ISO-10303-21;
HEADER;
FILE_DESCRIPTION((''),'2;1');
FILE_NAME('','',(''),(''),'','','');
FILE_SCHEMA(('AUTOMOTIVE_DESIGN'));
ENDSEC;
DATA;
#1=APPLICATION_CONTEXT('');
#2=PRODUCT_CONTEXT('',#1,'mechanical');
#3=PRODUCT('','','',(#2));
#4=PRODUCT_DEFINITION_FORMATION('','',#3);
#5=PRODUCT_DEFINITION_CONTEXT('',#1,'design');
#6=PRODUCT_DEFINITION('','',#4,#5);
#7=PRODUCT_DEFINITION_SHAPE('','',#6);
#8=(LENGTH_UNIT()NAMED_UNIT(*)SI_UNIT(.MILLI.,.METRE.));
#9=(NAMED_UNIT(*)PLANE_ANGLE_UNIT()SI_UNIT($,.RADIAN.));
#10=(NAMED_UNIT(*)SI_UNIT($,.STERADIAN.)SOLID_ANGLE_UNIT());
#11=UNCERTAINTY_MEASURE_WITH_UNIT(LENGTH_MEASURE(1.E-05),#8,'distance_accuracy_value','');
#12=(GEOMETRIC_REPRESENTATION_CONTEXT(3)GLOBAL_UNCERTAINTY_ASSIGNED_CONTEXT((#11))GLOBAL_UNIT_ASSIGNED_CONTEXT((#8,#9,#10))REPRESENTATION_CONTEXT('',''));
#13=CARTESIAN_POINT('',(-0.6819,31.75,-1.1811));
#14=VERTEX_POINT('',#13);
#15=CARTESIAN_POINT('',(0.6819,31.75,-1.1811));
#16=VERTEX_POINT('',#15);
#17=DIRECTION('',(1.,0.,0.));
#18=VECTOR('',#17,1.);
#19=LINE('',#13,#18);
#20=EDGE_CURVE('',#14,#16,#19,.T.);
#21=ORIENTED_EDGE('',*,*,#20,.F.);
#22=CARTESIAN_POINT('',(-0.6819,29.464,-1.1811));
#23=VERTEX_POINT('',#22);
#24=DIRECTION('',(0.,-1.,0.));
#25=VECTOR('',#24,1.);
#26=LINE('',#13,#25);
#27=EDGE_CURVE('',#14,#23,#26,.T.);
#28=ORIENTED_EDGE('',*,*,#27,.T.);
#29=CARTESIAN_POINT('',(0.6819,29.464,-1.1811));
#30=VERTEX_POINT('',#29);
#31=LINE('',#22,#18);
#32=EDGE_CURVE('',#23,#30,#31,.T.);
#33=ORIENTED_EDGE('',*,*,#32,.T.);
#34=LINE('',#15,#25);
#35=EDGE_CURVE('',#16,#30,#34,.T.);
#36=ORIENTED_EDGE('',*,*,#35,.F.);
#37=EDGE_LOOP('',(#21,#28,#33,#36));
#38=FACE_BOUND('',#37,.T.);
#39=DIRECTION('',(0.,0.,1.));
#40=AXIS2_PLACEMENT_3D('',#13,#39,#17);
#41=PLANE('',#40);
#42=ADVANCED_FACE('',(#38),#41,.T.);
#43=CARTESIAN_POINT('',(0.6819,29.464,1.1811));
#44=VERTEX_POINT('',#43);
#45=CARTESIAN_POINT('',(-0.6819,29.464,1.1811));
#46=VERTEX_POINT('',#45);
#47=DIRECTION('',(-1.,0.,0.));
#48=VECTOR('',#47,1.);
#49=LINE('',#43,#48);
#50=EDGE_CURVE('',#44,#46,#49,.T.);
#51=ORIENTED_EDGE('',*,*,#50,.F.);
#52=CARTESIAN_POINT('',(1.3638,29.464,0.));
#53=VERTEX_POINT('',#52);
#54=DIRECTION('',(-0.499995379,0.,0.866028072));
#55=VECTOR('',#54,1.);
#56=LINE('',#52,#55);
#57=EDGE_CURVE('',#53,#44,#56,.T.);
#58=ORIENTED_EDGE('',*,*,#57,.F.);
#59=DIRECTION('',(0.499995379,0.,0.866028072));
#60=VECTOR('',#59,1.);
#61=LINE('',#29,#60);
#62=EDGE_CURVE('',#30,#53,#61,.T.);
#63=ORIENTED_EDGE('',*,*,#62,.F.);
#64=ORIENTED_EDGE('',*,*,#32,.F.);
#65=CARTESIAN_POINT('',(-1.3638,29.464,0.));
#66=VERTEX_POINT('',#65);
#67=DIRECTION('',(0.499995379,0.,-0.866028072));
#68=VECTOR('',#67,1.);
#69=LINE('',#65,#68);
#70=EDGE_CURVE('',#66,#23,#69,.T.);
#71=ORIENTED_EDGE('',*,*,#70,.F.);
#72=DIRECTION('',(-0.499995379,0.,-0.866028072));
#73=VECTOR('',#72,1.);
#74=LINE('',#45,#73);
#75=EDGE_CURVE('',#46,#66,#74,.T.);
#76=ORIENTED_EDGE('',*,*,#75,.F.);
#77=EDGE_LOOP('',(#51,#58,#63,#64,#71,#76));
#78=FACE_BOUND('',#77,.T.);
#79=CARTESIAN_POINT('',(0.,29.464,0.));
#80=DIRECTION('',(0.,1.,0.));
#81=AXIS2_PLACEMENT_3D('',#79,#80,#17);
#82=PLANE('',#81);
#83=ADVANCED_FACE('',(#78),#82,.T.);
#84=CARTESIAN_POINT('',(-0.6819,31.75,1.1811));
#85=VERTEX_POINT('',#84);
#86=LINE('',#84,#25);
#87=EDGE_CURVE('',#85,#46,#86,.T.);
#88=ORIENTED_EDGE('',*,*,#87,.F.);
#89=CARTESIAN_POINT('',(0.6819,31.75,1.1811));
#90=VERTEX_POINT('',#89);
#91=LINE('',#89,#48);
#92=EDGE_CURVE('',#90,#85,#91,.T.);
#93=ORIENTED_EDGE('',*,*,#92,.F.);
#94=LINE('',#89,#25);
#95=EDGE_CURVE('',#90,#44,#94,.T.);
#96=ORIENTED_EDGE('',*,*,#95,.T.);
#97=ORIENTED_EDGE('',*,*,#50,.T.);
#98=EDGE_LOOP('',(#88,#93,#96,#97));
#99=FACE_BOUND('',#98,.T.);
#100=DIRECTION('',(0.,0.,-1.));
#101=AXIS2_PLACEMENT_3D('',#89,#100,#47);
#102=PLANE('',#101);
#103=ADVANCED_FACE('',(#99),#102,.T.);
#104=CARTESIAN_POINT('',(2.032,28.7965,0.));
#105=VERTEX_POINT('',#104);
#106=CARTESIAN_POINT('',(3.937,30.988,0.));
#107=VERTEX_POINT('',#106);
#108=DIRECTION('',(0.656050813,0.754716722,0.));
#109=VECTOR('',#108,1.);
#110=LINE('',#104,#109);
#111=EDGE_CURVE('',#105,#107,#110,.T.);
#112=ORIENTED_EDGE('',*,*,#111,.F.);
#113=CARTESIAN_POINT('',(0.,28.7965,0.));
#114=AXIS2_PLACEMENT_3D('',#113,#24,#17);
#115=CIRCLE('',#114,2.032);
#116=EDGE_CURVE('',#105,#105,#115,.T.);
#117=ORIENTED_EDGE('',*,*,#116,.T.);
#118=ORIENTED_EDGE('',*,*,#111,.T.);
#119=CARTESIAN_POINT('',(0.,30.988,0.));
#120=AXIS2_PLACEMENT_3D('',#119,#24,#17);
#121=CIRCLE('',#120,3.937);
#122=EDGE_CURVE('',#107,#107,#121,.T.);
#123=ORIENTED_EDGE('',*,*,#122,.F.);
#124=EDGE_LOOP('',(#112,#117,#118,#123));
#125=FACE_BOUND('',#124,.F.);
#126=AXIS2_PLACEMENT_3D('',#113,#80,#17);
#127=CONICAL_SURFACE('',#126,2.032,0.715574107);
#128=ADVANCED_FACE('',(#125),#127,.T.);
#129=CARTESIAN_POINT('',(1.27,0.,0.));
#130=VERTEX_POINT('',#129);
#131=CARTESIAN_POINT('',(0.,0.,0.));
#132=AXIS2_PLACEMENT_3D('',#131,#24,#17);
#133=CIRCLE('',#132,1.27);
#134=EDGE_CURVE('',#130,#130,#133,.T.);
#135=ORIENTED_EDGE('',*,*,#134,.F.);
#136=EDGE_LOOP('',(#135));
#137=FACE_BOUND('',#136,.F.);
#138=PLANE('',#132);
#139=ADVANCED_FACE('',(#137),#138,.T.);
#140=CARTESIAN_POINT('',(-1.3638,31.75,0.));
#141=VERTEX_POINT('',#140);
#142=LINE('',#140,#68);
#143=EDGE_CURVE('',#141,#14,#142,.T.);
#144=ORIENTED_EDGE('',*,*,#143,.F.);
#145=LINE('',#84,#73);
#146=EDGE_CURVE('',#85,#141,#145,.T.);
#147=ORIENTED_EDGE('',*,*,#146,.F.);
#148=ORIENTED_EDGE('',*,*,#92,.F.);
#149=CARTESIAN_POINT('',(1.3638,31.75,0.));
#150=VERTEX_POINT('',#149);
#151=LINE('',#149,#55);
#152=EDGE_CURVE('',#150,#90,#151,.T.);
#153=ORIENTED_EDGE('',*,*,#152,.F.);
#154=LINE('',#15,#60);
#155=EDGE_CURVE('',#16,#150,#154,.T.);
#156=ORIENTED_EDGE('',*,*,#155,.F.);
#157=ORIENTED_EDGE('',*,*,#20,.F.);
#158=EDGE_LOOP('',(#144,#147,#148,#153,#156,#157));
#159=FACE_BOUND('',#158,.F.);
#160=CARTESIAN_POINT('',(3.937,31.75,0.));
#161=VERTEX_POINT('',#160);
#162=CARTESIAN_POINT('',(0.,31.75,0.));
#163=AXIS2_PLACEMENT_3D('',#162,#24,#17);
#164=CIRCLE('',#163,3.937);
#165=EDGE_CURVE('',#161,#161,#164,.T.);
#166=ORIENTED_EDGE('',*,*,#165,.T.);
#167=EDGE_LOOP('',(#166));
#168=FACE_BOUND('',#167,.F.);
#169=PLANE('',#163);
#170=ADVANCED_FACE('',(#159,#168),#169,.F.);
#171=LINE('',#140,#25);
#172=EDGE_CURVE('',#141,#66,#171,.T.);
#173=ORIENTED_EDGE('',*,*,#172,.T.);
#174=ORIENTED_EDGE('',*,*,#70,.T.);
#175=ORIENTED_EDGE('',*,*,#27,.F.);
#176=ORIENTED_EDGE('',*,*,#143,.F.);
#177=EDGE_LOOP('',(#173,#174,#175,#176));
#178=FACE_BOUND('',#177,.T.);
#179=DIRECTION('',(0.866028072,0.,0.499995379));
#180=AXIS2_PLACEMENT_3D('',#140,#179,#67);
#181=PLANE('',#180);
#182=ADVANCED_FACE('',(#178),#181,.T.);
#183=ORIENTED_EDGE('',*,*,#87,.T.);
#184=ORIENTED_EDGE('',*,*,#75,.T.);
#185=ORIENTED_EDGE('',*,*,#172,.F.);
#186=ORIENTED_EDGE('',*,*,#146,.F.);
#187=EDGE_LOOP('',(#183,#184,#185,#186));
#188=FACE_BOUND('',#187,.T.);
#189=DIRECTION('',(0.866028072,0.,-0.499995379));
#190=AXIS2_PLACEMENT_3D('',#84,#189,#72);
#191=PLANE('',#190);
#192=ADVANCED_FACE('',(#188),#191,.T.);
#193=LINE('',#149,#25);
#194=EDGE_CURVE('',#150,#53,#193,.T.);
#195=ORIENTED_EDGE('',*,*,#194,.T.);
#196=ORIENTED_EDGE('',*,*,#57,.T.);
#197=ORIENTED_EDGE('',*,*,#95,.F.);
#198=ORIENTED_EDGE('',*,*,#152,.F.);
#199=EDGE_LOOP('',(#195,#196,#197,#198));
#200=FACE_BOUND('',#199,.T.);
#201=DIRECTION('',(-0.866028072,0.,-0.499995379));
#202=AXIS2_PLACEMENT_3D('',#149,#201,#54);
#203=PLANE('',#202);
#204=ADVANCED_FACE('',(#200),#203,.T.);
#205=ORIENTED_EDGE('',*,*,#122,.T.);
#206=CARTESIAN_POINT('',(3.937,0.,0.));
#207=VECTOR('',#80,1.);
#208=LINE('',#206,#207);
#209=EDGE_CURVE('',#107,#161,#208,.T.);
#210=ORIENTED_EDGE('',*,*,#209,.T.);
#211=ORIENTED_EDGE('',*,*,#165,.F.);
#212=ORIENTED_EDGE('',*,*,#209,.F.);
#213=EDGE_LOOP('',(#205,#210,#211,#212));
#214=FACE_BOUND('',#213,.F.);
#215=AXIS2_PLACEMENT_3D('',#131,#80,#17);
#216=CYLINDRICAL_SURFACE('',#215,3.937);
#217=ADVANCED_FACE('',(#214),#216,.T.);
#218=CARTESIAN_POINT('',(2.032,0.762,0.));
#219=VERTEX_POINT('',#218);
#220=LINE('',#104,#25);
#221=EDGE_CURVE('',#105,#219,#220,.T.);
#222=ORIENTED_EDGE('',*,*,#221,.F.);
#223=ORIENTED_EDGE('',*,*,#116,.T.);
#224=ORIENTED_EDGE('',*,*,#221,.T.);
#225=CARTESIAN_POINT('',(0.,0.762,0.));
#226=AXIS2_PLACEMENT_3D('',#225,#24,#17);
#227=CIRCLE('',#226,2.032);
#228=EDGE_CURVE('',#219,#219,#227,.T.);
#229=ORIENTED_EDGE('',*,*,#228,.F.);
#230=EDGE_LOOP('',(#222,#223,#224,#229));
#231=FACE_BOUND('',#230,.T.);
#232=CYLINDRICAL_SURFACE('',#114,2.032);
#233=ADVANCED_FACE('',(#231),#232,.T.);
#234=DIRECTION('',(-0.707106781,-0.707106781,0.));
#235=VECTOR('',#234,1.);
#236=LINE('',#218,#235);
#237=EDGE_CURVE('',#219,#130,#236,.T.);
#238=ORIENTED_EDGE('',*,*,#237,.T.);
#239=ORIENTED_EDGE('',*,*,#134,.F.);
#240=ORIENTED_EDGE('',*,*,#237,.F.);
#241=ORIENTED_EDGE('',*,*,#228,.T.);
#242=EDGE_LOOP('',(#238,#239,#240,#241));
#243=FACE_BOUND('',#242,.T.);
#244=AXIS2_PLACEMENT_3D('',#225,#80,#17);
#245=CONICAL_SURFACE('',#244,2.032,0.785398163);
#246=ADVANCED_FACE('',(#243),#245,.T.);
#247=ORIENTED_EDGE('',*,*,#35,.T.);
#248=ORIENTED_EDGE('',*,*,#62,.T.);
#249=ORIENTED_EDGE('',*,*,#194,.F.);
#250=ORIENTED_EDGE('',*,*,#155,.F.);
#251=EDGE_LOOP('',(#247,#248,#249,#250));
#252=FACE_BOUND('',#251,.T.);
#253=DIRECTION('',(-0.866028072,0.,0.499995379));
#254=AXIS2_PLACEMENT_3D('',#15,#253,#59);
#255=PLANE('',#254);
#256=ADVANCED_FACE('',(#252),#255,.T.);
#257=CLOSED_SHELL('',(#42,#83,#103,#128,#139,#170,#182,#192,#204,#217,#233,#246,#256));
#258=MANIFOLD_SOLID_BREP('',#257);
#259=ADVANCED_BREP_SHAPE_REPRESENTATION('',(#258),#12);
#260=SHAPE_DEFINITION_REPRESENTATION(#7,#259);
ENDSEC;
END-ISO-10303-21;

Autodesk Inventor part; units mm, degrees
ref_plane "YZ Plane" through (0, 0, 0) normal (1, 0, 0) x (0, 1, 0)
ref_plane "XZ Plane" through (0, 0, 0) normal (0, 1, 0) x (-1, 0, 0)
ref_plane "XY Plane" through (0, 0, 0) normal (0, 0, 1) x (1, 0, 0)
sketch "Sketch1" plane through (0, 0, 0) normal (0, 0, 1) x (1, 0, 0)
  line L0 (0, 0) -> (3.937, 0)
  line L1 (3.937, 0) -> (3.937, 31.75)
  line L2 (3.937, 31.75) -> (0, 31.75)
  line L3 (0, 31.75) -> (0, 0)
  line L4 (2.032, 28.7965) -> (2.032, 0)
  line L5 (2.032, 28.7965) -> (3.937, 30.988)
  dimension "d0" = 3.937
  dimension "d1" = 31.75
  dimension "d2" = 2.032
  dimension "d3" = 0.762
  dimension "d4" = 41
revolve "Revolution1" add sketch "Sketch1" angle 360 about axis through (0, 31.75, 0) along (0, -1, 0) contours L3 L2 L1 L5 L4 L0
chamfer "Chamfer1" distance 0.762 angle 45 1 edges at (-2.032, 0, 0)
thread "Thread1" size "8-32 UNC" class "2A" standard "ANSI Unified Screw Threads" full length
sketch "Sketch2" plane through (0, 31.75, 0) normal (0, 1, 0) x (1, 0, 0)
  line L0 (1.3638, 0) -> (0.6819, -1.1811)
  line L1 (0.6819, -1.1811) -> (-0.6819, -1.1811)
  line L2 (-0.6819, -1.1811) -> (-1.3638, 0)
  line L3 (-1.3638, 0) -> (-0.6819, 1.1811)
  line L4 (-0.6819, 1.1811) -> (0.6819, 1.1811)
  line L5 (0.6819, 1.1811) -> (1.3638, 0)
  point P0 (0, 0)
  point P1 (0, 0)
  point P2 (0, 0)
  dimension "d11" = 2.3622
extrude "Extrusion1" cut sketch "Sketch2" against normal blind 2.286
properties part number "8-32 UNC Flathead Bolt" material "Stainless Steel"
